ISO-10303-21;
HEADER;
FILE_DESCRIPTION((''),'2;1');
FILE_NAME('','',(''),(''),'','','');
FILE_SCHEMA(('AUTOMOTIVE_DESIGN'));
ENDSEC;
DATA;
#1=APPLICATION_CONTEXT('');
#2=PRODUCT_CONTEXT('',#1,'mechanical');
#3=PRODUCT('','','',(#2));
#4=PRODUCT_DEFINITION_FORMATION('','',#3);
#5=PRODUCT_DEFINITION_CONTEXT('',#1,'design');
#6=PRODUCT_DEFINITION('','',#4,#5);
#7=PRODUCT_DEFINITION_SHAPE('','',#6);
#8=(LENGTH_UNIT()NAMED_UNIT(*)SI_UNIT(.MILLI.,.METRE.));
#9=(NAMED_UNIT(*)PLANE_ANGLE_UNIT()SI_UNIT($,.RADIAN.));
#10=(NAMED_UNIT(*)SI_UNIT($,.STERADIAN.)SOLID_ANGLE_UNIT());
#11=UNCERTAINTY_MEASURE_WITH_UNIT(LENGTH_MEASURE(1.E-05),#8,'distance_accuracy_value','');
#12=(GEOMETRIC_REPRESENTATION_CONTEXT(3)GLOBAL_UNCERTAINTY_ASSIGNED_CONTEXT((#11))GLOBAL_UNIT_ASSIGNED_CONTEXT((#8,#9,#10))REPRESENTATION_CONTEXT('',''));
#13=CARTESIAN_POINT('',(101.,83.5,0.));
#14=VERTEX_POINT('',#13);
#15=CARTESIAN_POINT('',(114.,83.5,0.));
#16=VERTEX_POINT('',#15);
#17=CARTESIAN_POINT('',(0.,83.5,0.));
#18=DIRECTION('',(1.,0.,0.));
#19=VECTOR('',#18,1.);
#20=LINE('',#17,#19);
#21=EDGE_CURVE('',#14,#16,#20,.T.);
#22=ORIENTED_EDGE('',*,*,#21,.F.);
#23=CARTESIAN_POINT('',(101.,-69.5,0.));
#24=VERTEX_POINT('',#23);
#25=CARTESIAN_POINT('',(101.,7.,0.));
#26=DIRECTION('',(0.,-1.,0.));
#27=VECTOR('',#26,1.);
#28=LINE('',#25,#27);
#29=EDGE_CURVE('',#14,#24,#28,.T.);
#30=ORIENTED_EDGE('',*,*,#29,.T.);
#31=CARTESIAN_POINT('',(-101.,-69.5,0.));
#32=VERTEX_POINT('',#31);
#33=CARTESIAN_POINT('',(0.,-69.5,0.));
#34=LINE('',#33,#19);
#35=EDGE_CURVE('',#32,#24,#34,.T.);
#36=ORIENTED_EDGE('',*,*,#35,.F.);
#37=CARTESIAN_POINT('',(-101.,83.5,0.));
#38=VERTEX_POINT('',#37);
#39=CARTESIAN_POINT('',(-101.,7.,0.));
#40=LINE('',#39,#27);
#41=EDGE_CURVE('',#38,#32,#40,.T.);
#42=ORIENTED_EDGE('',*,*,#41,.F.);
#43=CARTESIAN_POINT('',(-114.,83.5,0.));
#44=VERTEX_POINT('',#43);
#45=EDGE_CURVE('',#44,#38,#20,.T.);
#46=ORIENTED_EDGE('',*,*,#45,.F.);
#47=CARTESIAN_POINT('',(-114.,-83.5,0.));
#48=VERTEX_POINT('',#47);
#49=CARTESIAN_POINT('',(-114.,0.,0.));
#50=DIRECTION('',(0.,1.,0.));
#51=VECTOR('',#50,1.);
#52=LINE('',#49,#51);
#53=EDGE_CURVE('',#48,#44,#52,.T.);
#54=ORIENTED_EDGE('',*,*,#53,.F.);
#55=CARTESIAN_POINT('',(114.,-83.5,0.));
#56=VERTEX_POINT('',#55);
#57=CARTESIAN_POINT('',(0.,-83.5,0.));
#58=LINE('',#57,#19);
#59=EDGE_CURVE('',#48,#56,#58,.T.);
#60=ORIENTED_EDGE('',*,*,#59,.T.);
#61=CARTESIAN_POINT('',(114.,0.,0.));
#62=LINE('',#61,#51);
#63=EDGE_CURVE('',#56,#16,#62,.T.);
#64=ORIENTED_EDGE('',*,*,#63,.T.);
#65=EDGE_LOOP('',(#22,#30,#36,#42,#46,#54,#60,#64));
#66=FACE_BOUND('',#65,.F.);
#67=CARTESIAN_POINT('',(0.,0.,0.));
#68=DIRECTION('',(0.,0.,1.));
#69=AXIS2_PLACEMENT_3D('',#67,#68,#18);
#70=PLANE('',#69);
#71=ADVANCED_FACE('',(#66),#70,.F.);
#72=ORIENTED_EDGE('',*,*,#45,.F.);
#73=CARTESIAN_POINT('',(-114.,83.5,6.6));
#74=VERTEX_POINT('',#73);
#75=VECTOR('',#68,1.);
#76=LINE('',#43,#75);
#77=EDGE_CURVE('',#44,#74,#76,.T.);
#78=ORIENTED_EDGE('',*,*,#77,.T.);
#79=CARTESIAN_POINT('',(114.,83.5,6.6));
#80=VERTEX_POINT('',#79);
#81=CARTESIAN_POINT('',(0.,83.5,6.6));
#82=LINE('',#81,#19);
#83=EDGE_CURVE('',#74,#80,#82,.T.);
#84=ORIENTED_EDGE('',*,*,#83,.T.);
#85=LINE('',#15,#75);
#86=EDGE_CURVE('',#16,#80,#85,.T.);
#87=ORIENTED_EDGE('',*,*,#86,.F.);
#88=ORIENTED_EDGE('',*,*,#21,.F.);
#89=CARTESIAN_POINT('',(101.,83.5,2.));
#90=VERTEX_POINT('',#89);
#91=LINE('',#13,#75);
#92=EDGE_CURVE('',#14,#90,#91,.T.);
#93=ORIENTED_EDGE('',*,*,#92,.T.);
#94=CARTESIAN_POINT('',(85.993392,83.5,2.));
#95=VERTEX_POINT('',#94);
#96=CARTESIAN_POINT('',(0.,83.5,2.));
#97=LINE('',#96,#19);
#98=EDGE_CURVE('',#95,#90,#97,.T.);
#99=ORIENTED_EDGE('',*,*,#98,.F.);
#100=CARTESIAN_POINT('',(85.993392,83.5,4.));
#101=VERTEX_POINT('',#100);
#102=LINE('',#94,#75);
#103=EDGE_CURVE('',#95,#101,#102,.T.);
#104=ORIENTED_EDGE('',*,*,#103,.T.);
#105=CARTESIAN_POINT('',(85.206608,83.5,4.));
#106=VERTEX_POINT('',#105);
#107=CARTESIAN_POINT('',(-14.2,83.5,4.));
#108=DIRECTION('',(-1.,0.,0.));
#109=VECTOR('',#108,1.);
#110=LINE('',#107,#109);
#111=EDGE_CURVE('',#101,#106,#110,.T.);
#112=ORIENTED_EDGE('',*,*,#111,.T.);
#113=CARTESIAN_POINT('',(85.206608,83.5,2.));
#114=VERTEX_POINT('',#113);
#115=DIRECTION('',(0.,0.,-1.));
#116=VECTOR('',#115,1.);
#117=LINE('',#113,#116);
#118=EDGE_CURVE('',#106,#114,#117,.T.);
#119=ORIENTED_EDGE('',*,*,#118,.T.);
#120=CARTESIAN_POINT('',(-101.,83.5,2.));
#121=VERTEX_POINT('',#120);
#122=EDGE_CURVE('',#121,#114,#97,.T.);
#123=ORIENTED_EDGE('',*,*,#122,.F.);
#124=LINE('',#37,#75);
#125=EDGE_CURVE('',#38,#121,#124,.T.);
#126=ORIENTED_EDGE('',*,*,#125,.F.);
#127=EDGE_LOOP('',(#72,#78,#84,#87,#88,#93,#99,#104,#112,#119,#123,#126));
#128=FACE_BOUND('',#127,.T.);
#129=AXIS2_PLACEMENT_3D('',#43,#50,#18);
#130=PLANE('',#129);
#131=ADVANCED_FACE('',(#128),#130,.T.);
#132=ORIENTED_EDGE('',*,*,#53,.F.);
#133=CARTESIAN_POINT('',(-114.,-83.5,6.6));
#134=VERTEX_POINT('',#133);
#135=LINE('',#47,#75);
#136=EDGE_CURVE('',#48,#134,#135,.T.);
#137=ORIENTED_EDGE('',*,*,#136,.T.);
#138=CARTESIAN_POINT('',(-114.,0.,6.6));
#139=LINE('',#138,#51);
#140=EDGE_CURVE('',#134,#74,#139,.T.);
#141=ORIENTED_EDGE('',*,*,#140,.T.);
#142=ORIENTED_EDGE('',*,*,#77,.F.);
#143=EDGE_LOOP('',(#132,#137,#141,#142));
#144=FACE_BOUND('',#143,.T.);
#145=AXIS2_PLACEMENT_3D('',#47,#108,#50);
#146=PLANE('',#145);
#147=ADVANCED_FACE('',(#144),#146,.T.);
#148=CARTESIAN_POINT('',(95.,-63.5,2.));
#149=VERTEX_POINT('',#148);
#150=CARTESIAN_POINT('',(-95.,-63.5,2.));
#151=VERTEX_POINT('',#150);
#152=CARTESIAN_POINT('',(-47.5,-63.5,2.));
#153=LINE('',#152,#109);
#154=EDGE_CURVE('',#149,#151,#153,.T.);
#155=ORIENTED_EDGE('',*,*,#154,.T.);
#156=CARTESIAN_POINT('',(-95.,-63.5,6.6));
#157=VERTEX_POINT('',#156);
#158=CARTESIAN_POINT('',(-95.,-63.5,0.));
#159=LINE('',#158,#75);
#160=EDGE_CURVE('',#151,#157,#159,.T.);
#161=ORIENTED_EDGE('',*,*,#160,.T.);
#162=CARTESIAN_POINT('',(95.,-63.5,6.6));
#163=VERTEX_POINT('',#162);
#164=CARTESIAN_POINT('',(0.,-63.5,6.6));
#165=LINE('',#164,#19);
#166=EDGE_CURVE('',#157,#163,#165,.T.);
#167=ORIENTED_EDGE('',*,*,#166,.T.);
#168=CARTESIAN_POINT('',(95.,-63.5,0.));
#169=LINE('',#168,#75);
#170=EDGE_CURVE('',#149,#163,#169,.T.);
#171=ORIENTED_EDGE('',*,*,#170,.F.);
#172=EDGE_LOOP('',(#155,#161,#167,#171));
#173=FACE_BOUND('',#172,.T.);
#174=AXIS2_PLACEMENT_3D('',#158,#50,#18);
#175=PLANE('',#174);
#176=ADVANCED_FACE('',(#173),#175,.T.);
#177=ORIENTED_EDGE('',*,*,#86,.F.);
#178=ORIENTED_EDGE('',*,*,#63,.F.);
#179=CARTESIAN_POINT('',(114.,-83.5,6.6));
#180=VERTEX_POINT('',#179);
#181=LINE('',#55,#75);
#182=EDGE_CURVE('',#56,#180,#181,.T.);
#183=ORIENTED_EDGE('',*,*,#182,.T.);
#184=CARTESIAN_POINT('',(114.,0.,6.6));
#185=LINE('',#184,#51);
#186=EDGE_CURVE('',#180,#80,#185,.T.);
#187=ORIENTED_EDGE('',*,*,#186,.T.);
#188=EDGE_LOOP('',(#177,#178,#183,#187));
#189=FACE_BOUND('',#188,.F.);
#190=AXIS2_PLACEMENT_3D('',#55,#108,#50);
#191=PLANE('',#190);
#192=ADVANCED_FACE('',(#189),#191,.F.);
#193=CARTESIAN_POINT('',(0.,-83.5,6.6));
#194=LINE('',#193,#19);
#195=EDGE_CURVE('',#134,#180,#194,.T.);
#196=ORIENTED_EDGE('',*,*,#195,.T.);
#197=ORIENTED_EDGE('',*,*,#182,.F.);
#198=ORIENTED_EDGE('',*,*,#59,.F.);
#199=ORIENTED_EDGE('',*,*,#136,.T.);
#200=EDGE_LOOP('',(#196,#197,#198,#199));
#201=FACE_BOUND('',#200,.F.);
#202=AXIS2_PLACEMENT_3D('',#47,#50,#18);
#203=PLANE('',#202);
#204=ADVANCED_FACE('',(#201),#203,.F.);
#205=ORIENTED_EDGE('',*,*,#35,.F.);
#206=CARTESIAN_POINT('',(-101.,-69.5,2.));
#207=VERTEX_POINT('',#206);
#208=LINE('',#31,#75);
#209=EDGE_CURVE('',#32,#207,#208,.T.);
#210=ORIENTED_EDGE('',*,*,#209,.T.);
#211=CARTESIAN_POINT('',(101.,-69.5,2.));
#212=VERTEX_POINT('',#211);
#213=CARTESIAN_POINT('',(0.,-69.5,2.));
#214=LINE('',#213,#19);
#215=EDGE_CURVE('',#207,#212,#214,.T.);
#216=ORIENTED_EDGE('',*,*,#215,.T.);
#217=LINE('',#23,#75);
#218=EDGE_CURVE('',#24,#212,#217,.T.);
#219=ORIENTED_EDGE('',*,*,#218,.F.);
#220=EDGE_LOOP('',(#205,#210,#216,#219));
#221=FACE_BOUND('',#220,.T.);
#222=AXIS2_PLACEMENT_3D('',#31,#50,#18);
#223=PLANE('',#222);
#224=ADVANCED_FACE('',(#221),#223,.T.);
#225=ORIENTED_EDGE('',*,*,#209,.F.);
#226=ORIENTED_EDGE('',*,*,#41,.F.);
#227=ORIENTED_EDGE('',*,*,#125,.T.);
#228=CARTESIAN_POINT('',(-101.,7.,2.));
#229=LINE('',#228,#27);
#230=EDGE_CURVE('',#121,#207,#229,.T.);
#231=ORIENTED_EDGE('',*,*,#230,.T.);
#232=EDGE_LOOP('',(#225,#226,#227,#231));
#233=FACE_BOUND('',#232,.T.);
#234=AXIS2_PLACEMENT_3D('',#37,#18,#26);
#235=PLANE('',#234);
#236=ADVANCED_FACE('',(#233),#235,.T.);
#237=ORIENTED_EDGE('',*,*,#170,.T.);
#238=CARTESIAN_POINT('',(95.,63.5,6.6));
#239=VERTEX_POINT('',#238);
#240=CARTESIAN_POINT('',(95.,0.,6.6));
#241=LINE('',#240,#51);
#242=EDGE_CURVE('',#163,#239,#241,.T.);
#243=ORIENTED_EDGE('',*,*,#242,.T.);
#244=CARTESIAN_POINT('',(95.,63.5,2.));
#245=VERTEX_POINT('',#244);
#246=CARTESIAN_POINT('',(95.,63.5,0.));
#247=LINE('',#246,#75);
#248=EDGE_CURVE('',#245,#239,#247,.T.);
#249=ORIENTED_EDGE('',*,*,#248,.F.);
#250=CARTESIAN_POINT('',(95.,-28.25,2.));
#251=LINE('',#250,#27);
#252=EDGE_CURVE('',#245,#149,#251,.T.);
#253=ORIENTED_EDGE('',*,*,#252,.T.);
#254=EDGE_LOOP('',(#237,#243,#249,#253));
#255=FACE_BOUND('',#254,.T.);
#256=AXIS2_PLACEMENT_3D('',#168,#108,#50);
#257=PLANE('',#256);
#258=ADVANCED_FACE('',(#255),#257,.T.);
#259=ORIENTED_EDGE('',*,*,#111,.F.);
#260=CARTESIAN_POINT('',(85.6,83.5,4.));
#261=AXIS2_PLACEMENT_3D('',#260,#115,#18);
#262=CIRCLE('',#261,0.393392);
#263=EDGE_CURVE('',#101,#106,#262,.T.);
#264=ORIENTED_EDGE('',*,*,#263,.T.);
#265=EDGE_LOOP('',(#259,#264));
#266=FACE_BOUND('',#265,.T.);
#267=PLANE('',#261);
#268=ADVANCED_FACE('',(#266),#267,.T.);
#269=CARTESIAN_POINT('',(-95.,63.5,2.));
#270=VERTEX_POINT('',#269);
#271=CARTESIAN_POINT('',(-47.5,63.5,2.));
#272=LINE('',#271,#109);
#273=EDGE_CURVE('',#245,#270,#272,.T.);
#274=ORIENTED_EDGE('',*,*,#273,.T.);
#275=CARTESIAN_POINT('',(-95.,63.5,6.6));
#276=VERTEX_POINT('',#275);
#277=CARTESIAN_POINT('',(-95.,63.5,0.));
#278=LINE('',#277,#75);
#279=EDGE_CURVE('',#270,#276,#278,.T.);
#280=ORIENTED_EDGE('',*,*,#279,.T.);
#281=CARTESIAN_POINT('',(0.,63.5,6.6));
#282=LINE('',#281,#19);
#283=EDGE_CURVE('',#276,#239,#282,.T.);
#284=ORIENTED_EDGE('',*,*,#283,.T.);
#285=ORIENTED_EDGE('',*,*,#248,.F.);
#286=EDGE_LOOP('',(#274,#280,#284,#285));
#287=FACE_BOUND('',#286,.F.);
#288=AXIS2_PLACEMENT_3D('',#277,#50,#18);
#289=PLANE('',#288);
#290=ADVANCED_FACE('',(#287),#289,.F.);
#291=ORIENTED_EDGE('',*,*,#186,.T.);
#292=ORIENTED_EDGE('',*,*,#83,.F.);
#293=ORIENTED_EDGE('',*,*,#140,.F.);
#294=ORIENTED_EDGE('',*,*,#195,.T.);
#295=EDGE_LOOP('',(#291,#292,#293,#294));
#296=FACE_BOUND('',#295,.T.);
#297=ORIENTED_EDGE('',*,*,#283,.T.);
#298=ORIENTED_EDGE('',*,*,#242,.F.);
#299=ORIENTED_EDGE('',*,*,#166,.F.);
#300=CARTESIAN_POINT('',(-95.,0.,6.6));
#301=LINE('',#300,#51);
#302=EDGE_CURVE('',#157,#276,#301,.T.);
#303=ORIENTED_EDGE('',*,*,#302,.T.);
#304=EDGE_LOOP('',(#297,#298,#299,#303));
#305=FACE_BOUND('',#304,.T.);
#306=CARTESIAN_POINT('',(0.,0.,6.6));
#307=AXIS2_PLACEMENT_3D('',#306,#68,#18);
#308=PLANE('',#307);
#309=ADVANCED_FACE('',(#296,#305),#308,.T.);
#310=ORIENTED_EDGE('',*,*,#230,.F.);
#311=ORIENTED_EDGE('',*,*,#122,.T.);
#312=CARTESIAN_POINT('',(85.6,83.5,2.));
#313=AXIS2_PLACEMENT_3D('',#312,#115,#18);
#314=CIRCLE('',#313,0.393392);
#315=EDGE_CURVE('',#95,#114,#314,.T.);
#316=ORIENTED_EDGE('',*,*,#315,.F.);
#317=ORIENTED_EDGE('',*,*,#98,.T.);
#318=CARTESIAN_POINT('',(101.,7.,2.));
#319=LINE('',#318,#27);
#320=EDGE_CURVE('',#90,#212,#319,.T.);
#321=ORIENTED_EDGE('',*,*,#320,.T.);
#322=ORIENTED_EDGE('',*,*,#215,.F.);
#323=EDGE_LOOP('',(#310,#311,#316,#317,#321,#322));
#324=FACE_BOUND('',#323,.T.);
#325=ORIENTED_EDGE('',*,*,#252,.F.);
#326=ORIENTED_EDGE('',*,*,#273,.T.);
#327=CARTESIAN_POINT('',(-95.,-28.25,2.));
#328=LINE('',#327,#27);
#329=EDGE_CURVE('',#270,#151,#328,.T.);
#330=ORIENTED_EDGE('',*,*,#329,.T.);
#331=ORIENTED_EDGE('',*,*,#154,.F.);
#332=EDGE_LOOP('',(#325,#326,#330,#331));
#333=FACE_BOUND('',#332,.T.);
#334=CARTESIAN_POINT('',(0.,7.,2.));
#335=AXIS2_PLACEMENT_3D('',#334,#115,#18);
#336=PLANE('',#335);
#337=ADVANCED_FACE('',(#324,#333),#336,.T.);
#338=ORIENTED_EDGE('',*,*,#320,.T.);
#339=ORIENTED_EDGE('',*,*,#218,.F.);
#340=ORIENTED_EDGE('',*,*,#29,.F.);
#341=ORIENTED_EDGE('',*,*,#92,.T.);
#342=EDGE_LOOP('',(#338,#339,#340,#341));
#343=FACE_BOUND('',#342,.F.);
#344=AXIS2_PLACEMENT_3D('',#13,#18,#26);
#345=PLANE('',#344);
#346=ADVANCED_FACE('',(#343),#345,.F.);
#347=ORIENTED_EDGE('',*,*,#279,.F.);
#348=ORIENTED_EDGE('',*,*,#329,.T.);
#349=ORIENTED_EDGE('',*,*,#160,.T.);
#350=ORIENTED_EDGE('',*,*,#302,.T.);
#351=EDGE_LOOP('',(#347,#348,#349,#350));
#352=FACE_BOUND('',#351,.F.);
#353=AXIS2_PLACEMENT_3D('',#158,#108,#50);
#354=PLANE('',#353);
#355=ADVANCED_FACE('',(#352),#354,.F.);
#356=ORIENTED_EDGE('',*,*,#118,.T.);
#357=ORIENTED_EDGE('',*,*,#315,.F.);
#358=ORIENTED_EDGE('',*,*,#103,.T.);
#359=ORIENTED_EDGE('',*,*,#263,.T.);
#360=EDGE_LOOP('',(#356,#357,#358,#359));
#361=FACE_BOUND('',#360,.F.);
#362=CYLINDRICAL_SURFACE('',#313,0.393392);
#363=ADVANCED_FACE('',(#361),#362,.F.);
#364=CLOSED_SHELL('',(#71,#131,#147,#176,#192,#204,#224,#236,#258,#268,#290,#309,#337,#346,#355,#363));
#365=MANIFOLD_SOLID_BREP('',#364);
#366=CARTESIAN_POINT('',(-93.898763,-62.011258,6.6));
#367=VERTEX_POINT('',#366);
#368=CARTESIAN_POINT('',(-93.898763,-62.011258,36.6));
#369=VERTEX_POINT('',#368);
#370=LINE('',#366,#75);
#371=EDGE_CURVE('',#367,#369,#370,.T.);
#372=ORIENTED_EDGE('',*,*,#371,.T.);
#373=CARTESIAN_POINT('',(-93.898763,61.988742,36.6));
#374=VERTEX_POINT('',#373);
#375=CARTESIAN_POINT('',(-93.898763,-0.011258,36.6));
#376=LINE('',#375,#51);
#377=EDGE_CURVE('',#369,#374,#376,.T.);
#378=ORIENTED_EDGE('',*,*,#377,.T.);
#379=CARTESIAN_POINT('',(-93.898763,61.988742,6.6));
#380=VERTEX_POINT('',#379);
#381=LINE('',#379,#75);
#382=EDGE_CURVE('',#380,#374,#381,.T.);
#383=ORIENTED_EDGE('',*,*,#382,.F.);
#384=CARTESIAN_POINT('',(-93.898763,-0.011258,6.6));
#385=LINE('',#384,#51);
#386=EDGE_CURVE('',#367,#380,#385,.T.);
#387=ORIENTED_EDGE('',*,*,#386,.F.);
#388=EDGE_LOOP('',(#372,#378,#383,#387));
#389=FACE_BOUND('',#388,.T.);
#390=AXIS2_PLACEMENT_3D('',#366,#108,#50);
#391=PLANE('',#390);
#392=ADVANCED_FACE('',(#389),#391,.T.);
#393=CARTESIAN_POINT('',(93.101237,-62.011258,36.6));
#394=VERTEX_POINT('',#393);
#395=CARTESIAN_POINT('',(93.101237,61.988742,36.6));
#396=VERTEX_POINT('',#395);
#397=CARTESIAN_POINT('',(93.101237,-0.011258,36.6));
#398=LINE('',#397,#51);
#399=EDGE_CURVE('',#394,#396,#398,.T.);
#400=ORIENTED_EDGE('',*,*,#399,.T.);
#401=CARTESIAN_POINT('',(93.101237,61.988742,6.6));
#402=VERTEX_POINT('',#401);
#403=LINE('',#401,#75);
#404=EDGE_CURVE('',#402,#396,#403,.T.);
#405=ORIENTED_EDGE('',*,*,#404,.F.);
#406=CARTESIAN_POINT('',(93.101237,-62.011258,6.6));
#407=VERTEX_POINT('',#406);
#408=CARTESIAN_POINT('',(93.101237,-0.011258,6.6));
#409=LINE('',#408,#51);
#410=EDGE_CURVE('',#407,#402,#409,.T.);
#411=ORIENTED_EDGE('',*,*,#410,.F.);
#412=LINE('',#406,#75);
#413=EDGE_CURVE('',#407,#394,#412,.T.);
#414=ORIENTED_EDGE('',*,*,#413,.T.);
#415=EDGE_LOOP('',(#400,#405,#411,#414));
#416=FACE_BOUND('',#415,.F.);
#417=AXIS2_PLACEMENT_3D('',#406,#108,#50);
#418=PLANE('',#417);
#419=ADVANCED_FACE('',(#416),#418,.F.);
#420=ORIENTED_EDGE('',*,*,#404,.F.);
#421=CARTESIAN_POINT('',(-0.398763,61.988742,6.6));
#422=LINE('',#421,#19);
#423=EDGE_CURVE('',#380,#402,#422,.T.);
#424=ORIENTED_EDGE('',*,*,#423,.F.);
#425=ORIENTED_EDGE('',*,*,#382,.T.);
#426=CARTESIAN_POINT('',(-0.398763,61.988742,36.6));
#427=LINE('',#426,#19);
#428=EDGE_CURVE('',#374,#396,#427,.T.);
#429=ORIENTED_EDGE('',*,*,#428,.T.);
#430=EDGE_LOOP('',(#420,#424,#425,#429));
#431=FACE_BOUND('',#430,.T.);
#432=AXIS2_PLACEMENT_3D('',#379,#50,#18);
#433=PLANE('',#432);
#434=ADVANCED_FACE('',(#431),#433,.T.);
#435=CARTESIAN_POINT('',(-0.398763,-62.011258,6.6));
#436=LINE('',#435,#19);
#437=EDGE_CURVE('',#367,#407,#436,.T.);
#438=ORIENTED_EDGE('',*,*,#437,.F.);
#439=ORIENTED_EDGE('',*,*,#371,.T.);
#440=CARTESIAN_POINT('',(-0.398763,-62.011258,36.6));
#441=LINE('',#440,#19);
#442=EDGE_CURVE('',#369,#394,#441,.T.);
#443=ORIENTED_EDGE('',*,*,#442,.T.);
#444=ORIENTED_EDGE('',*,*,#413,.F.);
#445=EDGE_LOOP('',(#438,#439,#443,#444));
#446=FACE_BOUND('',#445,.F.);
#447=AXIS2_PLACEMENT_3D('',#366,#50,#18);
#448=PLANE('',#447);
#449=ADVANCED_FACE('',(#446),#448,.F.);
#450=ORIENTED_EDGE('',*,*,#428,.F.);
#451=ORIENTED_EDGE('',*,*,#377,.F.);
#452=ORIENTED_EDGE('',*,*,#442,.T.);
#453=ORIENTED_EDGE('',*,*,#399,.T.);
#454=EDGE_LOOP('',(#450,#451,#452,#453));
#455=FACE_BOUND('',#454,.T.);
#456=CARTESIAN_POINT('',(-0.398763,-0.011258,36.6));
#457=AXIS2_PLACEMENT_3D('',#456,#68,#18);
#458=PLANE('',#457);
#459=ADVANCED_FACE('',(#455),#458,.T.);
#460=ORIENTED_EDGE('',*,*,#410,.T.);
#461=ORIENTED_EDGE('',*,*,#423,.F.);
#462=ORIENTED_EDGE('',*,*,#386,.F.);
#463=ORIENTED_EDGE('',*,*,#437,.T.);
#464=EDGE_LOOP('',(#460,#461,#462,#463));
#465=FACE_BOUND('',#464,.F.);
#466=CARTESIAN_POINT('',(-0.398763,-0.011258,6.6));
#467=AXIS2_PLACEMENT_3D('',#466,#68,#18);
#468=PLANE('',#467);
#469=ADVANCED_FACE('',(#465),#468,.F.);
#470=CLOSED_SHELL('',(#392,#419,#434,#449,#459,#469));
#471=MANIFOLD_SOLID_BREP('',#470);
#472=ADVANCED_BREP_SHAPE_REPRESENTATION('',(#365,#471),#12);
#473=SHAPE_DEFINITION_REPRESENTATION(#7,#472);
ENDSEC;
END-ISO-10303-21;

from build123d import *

# Parameters (mm, degrees)
F0_W     = 228
F0_H     = 167
F0_W_2   = 190
F0_H_2   = 127
F1_DEPTH = 6.6
F2_W     = 202
F2_H     = 153
F3_DEPTH = 2
F4_R     = 0.393392
F5_DEPTH = 2
F7_W     = 187
F7_H     = 124
F8_DEPTH = 30


with BuildPart() as f1:
    # F0 (on Top) → F1 (new body)
    with BuildSketch(Plane.XY):
        Rectangle(F0_W, F0_H)
        Rectangle(F0_W_2, F0_H_2, mode=Mode.SUBTRACT)
    extrude(amount=F1_DEPTH)

    # F2 (on face) → F3 (cut)
    with BuildSketch(Plane(origin=(0, 0, 0), x_dir=(1, 0, 0), z_dir=(0, 0, -1))):
        with Locations((0, -7)):
            Rectangle(F2_W, F2_H)
    extrude(amount=-F3_DEPTH, mode=Mode.SUBTRACT)

    # F4 (on face) → F5 (cut)
    with BuildSketch(Plane(origin=(0, 0, 2), x_dir=(1, 0, 0), z_dir=(0, 0, -1))):
        with Locations((85.6, -83.5)):
            Circle(F4_R)
    extrude(amount=-F5_DEPTH, mode=Mode.SUBTRACT)


with BuildPart() as f8:
    # F7 (on face) → F8 (new body)
    with BuildSketch(Plane.XY.offset(6.6)):
        with Locations((-0.398763, -0.011258)):
            Rectangle(F7_W, F7_H)
    extrude(amount=F8_DEPTH)


solid = Compound([f1.part, f8.part])
